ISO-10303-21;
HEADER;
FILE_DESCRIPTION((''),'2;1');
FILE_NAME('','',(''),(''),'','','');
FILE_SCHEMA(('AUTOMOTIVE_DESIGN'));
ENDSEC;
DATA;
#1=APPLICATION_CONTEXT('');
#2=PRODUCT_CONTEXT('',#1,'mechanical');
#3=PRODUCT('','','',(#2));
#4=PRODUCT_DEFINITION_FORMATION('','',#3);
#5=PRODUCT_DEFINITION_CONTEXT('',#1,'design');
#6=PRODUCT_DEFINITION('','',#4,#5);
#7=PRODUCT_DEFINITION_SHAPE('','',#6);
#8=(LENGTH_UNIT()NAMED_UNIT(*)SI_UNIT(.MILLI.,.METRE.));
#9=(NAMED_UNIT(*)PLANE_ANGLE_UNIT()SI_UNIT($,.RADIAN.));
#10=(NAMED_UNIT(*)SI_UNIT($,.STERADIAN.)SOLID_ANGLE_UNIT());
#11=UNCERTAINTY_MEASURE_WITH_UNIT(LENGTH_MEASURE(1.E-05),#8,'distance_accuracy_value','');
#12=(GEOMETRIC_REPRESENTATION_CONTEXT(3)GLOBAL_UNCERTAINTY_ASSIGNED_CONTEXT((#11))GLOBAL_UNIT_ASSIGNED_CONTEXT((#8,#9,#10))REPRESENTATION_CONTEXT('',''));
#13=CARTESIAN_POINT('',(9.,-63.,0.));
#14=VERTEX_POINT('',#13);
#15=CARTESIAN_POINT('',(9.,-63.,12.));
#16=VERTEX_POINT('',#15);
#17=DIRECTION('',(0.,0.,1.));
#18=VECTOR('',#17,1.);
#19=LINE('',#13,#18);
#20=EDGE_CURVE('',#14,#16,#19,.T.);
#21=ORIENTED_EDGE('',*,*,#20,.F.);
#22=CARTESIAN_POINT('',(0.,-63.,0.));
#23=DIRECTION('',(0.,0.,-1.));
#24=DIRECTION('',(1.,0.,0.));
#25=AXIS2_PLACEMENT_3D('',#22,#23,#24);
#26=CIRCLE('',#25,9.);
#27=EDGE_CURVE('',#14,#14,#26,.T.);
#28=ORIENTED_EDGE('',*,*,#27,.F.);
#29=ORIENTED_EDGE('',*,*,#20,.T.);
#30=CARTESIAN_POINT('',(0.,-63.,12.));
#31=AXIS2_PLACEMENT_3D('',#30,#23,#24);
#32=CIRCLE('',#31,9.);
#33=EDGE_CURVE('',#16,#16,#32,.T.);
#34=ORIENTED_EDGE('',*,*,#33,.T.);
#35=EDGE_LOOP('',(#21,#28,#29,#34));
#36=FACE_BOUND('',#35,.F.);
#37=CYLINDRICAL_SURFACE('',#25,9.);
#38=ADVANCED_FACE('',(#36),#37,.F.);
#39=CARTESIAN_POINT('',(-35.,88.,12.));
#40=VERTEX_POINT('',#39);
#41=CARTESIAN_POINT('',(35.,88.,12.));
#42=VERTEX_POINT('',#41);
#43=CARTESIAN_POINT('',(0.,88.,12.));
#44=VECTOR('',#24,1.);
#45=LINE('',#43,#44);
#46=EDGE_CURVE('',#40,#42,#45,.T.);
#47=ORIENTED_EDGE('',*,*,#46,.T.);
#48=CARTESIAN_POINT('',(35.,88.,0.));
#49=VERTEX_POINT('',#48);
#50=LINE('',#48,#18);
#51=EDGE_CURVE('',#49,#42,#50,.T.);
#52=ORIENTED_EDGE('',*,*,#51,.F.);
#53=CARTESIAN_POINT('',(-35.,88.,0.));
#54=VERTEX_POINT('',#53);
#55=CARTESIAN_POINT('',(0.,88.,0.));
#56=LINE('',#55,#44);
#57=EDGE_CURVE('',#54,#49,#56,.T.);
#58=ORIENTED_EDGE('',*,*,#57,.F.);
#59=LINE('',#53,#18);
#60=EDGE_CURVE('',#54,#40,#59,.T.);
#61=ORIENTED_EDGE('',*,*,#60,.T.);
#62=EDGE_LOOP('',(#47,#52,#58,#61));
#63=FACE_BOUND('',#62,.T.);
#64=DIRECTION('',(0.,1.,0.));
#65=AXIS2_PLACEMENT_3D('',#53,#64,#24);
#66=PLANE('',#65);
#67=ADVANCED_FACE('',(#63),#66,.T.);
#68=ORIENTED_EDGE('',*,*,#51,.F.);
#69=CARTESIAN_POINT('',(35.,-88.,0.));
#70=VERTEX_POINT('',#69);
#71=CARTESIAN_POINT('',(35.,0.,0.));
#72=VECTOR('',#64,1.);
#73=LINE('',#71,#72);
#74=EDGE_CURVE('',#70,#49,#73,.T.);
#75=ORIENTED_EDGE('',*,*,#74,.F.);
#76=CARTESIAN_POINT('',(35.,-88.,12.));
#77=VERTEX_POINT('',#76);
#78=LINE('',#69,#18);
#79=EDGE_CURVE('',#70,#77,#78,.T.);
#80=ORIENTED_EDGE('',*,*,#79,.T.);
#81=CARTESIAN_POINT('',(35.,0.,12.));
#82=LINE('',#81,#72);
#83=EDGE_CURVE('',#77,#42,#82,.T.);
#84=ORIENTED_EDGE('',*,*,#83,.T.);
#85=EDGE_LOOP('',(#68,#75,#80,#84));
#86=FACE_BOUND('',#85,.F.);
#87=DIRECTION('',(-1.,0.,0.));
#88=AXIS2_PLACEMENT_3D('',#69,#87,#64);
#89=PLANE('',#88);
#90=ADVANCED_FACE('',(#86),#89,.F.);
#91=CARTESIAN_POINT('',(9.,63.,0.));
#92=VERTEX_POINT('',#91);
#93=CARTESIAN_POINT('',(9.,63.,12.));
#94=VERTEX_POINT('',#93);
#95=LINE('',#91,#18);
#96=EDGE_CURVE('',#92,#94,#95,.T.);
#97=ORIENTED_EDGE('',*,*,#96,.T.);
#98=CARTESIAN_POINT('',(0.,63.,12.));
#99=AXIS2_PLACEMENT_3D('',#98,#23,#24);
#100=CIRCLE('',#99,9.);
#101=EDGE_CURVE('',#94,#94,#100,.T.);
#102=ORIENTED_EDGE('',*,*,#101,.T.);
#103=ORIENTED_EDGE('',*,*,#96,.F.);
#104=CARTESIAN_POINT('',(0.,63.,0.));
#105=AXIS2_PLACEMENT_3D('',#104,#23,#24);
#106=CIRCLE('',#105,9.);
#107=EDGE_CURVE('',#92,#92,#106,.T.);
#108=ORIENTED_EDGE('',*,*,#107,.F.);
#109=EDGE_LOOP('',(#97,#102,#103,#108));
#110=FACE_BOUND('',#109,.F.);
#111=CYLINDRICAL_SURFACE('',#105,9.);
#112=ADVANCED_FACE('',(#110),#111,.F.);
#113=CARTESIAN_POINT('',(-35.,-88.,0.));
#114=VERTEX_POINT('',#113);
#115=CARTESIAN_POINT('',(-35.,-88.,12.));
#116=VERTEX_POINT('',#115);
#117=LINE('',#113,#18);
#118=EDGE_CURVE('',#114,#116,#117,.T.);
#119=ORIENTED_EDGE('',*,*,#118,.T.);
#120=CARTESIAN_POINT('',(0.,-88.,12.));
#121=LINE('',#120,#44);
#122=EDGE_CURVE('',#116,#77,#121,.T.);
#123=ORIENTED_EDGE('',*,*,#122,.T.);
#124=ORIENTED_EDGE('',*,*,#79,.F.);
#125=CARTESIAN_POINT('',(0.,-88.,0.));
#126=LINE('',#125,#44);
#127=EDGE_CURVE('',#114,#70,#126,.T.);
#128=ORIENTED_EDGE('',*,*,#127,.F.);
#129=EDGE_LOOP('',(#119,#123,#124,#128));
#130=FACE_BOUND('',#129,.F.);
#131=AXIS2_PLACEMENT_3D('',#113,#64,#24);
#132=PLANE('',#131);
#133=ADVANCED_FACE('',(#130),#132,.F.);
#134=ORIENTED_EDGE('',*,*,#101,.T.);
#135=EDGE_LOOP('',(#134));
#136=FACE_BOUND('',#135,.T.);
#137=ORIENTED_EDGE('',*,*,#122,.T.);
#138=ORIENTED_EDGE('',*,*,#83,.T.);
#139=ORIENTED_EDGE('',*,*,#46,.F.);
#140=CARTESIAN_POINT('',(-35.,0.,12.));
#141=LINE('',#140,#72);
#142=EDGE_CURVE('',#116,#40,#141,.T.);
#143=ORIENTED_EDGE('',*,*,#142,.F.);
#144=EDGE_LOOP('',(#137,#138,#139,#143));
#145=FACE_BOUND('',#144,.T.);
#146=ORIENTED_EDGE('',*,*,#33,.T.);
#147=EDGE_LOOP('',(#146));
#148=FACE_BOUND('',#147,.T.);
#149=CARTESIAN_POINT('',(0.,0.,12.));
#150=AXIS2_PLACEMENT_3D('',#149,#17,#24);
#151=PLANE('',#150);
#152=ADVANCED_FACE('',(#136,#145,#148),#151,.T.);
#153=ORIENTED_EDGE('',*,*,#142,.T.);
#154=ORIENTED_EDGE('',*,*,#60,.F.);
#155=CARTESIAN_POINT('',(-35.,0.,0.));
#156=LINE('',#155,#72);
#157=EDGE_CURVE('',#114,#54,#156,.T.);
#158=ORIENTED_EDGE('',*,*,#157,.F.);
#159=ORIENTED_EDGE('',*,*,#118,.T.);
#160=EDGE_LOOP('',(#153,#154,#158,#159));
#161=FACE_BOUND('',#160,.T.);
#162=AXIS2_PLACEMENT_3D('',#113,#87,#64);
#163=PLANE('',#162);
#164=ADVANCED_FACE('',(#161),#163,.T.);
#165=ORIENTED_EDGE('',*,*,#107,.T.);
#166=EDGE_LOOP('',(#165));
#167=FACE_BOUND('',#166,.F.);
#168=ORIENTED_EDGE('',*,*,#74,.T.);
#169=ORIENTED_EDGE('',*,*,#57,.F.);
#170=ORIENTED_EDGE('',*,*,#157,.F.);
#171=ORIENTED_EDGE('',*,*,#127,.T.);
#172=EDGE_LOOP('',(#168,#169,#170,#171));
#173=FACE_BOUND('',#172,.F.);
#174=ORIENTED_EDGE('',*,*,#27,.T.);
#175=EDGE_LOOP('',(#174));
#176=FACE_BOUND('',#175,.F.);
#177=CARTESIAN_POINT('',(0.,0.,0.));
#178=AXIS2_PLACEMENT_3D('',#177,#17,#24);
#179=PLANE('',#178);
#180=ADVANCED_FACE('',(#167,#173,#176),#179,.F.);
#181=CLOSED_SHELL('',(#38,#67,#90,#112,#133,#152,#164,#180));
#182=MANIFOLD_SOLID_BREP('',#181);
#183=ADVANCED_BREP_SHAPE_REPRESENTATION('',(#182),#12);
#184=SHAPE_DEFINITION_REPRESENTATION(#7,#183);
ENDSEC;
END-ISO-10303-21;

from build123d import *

# Parameters (mm, degrees)
F0_W     = 70
F0_H     = 176
F1_DEPTH = 12
F2_R     = 9
F3_DEPTH = 25


with BuildPart() as f1:
    # F0 (on Top) → F1 (new body)
    with BuildSketch(Plane.XY):
        Rectangle(F0_W, F0_H)
    extrude(amount=F1_DEPTH)

    # F2 (on face) → F3 (cut)
    with BuildSketch(Plane(origin=(0, 0, 0), x_dir=(1, 0, 0), z_dir=(0, 0, -1))):
        with Locations((0, 63)):
            Circle(F2_R)
        with Locations((0, -63)):
            Circle(F2_R)
    extrude(amount=-F3_DEPTH, mode=Mode.SUBTRACT)


solid = f1.part
